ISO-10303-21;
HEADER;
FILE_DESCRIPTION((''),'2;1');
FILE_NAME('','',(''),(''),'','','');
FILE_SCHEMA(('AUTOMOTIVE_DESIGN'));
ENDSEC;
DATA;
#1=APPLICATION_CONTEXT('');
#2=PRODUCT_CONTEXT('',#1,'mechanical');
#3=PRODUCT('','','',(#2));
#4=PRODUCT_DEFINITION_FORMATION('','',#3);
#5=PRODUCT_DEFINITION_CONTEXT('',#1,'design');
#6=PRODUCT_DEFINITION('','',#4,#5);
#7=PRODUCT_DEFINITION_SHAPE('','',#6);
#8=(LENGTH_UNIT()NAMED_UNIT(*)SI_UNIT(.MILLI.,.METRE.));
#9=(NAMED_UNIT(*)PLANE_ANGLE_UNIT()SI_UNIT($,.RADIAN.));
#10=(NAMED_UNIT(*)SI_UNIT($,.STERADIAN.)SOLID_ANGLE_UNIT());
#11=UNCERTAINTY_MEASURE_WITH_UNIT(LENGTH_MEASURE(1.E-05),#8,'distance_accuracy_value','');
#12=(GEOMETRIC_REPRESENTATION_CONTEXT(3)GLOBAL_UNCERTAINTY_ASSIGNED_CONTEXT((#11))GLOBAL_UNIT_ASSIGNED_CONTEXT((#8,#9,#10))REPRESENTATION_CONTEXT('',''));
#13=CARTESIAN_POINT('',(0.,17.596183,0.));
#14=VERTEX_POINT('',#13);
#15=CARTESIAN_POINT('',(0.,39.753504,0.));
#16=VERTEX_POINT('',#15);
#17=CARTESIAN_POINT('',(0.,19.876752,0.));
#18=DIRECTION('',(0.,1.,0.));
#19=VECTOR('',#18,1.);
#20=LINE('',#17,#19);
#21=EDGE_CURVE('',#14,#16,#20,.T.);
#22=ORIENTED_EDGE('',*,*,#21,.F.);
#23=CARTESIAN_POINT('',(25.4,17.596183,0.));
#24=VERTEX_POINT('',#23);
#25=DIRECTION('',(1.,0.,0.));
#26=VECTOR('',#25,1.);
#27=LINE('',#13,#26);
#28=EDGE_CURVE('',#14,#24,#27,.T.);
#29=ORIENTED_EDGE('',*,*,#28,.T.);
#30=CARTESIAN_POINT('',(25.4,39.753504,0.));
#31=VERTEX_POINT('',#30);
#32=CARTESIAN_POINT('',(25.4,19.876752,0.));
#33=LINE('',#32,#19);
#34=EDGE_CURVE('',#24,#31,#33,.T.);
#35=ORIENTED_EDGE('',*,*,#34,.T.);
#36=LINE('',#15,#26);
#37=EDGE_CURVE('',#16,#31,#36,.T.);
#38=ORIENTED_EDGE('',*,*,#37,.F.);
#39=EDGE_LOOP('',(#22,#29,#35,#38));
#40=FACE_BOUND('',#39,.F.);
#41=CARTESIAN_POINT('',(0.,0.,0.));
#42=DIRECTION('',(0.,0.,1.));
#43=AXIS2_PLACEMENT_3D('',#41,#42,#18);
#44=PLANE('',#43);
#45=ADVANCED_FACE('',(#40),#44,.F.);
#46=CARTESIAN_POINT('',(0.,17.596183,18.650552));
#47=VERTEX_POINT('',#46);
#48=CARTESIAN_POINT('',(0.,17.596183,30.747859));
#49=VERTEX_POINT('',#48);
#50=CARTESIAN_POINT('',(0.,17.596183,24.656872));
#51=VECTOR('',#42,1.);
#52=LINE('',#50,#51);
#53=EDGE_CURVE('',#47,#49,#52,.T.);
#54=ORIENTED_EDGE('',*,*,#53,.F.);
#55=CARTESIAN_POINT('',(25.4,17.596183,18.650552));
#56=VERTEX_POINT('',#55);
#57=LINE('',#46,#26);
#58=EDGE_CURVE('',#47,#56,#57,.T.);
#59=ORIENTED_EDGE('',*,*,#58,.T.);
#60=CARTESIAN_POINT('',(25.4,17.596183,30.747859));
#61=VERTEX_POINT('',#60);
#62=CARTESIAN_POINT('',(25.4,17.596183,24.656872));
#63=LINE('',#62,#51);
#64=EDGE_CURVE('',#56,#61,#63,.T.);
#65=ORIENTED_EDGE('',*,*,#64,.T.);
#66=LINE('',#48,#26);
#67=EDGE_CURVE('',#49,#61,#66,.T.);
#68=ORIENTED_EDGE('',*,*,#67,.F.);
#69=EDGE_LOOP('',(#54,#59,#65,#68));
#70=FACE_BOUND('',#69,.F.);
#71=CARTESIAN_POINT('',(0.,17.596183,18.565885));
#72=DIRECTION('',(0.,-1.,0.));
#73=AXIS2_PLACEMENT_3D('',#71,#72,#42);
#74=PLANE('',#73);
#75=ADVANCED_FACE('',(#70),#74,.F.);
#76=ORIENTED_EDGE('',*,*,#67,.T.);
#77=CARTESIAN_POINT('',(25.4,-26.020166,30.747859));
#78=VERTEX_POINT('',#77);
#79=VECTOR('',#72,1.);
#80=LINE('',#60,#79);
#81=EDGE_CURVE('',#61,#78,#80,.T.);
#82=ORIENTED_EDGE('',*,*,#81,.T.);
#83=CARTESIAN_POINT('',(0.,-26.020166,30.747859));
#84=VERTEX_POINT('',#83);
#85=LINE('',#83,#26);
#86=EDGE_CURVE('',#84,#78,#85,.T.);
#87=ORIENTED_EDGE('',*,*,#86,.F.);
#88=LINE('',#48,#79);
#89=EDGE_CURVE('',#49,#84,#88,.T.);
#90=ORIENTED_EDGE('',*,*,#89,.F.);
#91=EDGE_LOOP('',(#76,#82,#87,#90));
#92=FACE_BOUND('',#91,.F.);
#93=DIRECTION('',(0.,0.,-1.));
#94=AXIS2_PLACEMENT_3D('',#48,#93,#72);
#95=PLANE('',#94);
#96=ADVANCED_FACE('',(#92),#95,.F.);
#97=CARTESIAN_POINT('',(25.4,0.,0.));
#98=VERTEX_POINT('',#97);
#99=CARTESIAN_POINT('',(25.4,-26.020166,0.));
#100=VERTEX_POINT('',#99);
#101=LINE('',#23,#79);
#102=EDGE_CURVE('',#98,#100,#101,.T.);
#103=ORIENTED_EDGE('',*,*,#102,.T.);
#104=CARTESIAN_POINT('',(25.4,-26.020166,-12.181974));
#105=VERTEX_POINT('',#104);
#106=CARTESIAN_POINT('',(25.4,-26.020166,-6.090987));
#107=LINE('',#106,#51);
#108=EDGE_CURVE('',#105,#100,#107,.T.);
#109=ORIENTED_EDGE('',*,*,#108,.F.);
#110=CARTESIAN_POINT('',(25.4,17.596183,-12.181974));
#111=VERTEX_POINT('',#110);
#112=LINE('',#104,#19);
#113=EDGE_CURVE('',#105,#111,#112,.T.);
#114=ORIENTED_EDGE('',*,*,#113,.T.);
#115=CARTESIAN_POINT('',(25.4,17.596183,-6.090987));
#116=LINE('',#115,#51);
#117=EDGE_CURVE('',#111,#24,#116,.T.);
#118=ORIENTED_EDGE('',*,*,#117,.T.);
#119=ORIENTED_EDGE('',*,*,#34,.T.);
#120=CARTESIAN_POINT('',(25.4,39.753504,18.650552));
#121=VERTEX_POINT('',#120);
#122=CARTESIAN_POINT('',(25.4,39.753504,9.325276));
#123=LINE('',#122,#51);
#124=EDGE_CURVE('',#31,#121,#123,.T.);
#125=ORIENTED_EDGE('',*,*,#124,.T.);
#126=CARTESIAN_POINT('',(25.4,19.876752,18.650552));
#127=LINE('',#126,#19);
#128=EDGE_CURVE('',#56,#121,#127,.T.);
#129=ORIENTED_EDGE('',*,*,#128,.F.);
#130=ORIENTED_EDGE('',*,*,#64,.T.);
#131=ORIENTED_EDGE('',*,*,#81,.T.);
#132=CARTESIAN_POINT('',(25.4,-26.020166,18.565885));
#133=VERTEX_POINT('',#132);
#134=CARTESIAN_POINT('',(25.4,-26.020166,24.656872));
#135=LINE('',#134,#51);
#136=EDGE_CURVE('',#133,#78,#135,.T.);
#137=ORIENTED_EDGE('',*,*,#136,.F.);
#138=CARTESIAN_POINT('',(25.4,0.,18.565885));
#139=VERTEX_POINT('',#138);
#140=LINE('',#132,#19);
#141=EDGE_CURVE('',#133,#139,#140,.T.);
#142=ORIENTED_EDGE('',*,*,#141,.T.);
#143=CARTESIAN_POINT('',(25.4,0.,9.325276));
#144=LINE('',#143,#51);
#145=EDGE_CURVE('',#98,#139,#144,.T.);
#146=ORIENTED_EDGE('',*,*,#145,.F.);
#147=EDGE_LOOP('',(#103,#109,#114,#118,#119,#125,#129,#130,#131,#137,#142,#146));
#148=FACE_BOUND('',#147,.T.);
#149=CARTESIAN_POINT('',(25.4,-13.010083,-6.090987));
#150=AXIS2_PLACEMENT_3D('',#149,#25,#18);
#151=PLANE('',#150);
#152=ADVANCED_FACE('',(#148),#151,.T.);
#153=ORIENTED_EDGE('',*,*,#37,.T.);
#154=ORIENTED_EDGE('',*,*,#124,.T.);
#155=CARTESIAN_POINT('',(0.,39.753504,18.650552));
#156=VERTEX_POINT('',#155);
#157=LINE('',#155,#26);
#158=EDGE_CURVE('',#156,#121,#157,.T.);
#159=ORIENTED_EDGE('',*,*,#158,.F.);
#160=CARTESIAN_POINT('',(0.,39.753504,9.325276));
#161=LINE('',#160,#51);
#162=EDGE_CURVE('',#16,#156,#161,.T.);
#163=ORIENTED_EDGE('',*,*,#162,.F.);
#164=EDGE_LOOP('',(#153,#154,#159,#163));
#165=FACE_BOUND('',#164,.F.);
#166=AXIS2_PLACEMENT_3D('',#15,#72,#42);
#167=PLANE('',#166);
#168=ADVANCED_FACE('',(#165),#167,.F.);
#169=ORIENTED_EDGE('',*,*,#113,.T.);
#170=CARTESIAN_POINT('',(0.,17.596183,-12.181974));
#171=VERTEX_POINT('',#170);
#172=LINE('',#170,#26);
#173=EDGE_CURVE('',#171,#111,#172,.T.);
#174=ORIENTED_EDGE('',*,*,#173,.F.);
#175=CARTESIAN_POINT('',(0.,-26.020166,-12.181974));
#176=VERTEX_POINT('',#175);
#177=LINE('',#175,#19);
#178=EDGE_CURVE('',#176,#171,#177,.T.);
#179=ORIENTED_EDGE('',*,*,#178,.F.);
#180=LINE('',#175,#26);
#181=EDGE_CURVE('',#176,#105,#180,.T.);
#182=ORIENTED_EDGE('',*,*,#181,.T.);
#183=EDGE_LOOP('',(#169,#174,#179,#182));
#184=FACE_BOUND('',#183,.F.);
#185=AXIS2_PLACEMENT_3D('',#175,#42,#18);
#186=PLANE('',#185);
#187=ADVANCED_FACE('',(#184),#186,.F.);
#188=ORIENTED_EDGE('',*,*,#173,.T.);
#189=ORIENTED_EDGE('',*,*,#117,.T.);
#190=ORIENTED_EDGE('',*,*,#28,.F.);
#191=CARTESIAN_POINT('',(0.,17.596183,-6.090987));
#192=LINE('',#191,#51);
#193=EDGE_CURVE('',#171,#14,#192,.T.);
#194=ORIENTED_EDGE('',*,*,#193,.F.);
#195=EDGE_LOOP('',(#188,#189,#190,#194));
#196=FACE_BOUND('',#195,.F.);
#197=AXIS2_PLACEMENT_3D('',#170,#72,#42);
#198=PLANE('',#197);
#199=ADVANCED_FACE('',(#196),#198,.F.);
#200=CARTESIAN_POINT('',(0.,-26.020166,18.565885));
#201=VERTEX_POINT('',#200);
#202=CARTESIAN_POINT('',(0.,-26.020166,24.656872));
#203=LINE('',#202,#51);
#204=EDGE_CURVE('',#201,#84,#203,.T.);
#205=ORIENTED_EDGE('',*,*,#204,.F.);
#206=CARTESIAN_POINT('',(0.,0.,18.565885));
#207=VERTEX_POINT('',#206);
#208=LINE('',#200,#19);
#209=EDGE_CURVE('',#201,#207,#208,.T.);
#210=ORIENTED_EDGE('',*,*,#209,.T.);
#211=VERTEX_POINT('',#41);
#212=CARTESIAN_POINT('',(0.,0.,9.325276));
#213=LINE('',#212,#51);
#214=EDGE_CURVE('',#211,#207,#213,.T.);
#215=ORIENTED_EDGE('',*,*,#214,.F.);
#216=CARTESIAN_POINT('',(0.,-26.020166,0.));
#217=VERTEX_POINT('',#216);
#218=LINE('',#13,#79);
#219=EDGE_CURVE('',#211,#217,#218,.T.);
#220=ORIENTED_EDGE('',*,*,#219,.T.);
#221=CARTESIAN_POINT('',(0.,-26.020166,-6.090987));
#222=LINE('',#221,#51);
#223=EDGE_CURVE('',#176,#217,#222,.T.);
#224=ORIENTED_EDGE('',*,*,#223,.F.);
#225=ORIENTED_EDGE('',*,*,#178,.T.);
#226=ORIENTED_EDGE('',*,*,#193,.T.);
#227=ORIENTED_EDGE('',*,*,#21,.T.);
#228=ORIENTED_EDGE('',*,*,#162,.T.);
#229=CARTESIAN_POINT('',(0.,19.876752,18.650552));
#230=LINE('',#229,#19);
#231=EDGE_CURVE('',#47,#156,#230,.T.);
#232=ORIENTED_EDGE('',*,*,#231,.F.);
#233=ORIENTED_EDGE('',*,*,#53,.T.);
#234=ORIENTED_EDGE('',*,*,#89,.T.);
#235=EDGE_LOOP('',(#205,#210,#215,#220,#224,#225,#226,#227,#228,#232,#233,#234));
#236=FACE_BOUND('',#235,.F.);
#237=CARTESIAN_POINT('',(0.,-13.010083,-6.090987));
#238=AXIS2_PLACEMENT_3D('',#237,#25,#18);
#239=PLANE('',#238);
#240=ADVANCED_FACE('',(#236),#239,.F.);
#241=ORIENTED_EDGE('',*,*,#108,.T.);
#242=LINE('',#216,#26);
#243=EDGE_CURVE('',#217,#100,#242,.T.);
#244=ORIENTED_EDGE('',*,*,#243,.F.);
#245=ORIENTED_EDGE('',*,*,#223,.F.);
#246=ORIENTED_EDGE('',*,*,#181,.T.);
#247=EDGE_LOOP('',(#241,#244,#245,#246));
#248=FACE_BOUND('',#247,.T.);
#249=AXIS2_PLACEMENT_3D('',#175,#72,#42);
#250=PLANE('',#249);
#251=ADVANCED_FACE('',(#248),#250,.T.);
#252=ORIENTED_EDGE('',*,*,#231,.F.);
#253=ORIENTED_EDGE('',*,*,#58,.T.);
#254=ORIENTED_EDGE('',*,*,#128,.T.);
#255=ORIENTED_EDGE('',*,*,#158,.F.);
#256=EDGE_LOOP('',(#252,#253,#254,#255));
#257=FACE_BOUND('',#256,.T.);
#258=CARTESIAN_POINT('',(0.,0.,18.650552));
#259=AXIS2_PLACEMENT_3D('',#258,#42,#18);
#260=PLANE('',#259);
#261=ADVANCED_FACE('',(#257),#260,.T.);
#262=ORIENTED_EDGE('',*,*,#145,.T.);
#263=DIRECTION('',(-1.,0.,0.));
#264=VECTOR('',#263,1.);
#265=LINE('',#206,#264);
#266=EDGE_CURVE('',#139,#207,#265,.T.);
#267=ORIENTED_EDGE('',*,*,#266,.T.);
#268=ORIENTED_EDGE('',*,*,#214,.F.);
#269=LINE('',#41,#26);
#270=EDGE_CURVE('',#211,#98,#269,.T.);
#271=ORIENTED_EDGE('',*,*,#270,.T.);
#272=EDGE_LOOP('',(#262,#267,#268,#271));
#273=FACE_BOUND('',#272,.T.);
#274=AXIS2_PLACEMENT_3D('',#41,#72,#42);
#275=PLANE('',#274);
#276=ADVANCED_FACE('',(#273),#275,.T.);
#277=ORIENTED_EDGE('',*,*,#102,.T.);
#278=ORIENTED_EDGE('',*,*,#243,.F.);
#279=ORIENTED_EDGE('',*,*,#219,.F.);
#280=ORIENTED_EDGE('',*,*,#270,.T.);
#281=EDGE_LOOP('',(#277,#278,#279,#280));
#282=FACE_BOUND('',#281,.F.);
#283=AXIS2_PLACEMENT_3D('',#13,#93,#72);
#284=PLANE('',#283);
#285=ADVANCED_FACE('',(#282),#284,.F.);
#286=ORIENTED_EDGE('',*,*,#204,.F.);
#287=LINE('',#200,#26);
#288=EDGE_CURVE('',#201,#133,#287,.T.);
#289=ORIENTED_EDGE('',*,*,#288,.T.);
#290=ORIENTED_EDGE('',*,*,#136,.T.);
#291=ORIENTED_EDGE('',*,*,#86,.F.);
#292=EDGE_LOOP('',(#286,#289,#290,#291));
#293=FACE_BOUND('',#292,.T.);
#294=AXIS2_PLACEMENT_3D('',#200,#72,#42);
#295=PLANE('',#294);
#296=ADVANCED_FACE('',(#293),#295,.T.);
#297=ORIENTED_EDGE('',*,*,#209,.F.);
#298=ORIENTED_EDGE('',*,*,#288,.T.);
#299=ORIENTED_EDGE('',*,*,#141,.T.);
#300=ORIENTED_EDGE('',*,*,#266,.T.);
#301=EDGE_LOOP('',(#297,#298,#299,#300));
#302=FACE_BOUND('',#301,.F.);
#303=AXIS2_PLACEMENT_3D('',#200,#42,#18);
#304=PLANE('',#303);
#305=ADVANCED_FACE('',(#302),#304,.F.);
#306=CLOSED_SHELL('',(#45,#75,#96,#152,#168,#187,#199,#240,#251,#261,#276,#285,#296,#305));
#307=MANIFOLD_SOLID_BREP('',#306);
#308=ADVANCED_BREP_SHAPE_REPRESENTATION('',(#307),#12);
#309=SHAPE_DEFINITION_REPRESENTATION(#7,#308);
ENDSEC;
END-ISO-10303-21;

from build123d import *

# Parameters (mm, degrees)
F0_W     = 39.753504
F0_H     = 18.650552
F1_DEPTH = 25.4
F2_W     = 26.020167
F2_H     = 12.181974
F2_W_2   = 17.596183
F3_DEPTH = 25.4


with BuildPart() as f1:
    # F0 (on Right) → F1 (new body)
    with BuildSketch(Plane.YZ):
        with Locations((19.876752, 9.325276)):
            Rectangle(F0_W, F0_H)
    extrude(amount=F1_DEPTH)

    # F2 (on Right) → F3 (join)
    with BuildSketch(Plane.YZ):
        with Locations((-13.010083, -6.090987)):
            Rectangle(F2_W, F2_H)
        with Locations((8.798091, -6.090987)):
            Rectangle(F2_W_2, F2_H)
        with Locations((-13.010083, 24.656872)):
            Rectangle(F2_W, F2_H)
        with Locations((8.798091, 24.656872)):
            Rectangle(F2_W_2, F2_H)
    extrude(amount=F3_DEPTH)


solid = f1.part
